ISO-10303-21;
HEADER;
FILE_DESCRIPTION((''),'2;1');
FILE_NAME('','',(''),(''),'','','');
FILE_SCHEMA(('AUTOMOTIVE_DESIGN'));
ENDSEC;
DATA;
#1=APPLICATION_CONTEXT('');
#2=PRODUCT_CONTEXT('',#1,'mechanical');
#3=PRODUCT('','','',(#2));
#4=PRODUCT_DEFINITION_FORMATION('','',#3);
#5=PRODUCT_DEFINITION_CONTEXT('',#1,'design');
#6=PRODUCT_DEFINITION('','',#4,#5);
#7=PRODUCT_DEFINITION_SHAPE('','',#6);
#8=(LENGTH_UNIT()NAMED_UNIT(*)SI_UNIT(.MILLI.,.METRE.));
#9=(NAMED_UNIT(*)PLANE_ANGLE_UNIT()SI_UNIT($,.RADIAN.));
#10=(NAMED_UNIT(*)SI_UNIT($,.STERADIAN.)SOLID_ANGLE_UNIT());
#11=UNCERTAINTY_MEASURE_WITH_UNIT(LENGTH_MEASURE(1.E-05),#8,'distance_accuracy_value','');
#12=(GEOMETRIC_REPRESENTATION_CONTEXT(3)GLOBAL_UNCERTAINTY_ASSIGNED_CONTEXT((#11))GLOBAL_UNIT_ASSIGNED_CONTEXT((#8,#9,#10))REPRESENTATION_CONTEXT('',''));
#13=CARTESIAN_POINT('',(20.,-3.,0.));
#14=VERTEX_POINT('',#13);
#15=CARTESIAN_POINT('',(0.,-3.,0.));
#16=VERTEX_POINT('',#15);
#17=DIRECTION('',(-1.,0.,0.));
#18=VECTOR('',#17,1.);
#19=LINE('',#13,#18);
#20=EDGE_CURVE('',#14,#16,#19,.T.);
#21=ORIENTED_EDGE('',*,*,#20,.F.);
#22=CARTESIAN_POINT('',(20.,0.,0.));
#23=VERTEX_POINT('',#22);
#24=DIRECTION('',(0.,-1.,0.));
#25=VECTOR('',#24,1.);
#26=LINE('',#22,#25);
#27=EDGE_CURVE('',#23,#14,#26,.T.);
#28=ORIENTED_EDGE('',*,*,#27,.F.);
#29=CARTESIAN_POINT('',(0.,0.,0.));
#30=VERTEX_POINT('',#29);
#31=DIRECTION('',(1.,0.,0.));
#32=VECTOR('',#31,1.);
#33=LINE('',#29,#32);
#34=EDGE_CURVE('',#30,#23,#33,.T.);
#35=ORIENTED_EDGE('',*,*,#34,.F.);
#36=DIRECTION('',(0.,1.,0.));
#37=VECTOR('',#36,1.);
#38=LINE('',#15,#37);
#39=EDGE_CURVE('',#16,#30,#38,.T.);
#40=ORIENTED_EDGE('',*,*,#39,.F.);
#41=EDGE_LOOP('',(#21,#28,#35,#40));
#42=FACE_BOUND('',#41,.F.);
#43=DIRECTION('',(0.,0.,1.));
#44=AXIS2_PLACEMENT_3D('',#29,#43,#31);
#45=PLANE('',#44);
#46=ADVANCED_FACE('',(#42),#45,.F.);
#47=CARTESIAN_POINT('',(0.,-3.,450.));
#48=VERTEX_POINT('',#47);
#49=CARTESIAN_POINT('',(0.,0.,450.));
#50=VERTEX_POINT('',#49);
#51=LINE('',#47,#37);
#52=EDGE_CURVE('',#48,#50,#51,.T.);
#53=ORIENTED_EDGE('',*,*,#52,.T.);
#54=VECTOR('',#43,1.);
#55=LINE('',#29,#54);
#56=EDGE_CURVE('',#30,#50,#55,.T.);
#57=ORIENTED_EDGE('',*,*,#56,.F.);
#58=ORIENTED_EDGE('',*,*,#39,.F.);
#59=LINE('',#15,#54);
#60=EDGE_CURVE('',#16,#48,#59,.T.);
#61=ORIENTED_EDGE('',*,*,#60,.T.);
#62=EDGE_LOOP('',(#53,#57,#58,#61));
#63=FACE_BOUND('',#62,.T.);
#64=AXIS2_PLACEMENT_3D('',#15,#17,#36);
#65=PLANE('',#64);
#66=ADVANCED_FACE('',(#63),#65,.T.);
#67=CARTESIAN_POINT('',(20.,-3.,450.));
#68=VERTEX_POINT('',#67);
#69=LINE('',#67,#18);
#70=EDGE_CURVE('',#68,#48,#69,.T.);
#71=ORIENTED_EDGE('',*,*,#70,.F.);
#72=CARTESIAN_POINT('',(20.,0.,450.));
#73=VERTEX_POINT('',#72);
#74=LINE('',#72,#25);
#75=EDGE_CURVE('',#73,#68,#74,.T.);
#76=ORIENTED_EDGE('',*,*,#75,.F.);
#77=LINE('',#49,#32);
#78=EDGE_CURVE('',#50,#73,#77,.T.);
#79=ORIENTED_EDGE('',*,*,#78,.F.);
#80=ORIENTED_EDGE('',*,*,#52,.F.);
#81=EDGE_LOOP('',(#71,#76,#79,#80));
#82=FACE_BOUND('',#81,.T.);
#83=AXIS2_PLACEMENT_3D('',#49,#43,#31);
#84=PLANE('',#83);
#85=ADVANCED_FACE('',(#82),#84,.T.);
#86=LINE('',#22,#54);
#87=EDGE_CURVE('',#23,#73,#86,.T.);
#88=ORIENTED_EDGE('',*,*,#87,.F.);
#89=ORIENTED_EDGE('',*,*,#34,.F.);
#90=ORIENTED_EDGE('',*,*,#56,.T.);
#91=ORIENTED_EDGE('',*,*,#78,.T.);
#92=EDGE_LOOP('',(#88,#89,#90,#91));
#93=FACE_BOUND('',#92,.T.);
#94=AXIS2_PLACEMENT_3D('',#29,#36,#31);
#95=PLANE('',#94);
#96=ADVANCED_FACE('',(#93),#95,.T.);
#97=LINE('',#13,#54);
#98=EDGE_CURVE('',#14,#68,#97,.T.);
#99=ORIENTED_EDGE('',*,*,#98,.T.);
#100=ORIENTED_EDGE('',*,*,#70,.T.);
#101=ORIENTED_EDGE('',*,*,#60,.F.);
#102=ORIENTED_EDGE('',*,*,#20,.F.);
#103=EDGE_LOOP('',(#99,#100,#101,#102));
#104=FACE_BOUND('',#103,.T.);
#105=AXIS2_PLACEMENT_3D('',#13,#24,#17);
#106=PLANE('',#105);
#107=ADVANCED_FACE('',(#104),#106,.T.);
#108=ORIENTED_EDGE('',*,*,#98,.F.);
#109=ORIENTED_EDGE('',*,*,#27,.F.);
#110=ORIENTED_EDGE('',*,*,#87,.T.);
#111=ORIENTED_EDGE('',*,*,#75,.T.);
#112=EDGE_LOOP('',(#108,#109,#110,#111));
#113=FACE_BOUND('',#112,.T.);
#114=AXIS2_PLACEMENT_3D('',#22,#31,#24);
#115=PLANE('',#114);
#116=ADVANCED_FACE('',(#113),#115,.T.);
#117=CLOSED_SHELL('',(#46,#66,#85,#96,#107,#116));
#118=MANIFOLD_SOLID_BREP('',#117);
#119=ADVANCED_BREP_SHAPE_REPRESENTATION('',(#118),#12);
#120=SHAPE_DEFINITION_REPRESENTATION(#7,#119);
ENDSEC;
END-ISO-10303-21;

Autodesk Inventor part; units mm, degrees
ref_plane "YZ Plane" through (0, 0, 0) normal (1, 0, 0) x (0, 1, 0)
ref_plane "XZ Plane" through (0, 0, 0) normal (0, 1, 0) x (-1, 0, 0)
ref_plane "XY Plane" through (0, 0, 0) normal (0, 0, 1) x (1, 0, 0)
sketch "Sketch1" plane through (0, 0, 0) normal (0, 0, 1) x (1, 0, 0)
  line L0 (0, 0) -> (20, 0)
  line L1 (20, 0) -> (20, -3)
  line L2 (20, -3) -> (0, -3)
  line L3 (0, -3) -> (0, 0)
  dimension "d0" = 20
  dimension "d1" = 3
extrude "Extrusion1" add sketch "Sketch1" along normal blind 450
properties part number "plaskownik_20x3mm_45cm"
